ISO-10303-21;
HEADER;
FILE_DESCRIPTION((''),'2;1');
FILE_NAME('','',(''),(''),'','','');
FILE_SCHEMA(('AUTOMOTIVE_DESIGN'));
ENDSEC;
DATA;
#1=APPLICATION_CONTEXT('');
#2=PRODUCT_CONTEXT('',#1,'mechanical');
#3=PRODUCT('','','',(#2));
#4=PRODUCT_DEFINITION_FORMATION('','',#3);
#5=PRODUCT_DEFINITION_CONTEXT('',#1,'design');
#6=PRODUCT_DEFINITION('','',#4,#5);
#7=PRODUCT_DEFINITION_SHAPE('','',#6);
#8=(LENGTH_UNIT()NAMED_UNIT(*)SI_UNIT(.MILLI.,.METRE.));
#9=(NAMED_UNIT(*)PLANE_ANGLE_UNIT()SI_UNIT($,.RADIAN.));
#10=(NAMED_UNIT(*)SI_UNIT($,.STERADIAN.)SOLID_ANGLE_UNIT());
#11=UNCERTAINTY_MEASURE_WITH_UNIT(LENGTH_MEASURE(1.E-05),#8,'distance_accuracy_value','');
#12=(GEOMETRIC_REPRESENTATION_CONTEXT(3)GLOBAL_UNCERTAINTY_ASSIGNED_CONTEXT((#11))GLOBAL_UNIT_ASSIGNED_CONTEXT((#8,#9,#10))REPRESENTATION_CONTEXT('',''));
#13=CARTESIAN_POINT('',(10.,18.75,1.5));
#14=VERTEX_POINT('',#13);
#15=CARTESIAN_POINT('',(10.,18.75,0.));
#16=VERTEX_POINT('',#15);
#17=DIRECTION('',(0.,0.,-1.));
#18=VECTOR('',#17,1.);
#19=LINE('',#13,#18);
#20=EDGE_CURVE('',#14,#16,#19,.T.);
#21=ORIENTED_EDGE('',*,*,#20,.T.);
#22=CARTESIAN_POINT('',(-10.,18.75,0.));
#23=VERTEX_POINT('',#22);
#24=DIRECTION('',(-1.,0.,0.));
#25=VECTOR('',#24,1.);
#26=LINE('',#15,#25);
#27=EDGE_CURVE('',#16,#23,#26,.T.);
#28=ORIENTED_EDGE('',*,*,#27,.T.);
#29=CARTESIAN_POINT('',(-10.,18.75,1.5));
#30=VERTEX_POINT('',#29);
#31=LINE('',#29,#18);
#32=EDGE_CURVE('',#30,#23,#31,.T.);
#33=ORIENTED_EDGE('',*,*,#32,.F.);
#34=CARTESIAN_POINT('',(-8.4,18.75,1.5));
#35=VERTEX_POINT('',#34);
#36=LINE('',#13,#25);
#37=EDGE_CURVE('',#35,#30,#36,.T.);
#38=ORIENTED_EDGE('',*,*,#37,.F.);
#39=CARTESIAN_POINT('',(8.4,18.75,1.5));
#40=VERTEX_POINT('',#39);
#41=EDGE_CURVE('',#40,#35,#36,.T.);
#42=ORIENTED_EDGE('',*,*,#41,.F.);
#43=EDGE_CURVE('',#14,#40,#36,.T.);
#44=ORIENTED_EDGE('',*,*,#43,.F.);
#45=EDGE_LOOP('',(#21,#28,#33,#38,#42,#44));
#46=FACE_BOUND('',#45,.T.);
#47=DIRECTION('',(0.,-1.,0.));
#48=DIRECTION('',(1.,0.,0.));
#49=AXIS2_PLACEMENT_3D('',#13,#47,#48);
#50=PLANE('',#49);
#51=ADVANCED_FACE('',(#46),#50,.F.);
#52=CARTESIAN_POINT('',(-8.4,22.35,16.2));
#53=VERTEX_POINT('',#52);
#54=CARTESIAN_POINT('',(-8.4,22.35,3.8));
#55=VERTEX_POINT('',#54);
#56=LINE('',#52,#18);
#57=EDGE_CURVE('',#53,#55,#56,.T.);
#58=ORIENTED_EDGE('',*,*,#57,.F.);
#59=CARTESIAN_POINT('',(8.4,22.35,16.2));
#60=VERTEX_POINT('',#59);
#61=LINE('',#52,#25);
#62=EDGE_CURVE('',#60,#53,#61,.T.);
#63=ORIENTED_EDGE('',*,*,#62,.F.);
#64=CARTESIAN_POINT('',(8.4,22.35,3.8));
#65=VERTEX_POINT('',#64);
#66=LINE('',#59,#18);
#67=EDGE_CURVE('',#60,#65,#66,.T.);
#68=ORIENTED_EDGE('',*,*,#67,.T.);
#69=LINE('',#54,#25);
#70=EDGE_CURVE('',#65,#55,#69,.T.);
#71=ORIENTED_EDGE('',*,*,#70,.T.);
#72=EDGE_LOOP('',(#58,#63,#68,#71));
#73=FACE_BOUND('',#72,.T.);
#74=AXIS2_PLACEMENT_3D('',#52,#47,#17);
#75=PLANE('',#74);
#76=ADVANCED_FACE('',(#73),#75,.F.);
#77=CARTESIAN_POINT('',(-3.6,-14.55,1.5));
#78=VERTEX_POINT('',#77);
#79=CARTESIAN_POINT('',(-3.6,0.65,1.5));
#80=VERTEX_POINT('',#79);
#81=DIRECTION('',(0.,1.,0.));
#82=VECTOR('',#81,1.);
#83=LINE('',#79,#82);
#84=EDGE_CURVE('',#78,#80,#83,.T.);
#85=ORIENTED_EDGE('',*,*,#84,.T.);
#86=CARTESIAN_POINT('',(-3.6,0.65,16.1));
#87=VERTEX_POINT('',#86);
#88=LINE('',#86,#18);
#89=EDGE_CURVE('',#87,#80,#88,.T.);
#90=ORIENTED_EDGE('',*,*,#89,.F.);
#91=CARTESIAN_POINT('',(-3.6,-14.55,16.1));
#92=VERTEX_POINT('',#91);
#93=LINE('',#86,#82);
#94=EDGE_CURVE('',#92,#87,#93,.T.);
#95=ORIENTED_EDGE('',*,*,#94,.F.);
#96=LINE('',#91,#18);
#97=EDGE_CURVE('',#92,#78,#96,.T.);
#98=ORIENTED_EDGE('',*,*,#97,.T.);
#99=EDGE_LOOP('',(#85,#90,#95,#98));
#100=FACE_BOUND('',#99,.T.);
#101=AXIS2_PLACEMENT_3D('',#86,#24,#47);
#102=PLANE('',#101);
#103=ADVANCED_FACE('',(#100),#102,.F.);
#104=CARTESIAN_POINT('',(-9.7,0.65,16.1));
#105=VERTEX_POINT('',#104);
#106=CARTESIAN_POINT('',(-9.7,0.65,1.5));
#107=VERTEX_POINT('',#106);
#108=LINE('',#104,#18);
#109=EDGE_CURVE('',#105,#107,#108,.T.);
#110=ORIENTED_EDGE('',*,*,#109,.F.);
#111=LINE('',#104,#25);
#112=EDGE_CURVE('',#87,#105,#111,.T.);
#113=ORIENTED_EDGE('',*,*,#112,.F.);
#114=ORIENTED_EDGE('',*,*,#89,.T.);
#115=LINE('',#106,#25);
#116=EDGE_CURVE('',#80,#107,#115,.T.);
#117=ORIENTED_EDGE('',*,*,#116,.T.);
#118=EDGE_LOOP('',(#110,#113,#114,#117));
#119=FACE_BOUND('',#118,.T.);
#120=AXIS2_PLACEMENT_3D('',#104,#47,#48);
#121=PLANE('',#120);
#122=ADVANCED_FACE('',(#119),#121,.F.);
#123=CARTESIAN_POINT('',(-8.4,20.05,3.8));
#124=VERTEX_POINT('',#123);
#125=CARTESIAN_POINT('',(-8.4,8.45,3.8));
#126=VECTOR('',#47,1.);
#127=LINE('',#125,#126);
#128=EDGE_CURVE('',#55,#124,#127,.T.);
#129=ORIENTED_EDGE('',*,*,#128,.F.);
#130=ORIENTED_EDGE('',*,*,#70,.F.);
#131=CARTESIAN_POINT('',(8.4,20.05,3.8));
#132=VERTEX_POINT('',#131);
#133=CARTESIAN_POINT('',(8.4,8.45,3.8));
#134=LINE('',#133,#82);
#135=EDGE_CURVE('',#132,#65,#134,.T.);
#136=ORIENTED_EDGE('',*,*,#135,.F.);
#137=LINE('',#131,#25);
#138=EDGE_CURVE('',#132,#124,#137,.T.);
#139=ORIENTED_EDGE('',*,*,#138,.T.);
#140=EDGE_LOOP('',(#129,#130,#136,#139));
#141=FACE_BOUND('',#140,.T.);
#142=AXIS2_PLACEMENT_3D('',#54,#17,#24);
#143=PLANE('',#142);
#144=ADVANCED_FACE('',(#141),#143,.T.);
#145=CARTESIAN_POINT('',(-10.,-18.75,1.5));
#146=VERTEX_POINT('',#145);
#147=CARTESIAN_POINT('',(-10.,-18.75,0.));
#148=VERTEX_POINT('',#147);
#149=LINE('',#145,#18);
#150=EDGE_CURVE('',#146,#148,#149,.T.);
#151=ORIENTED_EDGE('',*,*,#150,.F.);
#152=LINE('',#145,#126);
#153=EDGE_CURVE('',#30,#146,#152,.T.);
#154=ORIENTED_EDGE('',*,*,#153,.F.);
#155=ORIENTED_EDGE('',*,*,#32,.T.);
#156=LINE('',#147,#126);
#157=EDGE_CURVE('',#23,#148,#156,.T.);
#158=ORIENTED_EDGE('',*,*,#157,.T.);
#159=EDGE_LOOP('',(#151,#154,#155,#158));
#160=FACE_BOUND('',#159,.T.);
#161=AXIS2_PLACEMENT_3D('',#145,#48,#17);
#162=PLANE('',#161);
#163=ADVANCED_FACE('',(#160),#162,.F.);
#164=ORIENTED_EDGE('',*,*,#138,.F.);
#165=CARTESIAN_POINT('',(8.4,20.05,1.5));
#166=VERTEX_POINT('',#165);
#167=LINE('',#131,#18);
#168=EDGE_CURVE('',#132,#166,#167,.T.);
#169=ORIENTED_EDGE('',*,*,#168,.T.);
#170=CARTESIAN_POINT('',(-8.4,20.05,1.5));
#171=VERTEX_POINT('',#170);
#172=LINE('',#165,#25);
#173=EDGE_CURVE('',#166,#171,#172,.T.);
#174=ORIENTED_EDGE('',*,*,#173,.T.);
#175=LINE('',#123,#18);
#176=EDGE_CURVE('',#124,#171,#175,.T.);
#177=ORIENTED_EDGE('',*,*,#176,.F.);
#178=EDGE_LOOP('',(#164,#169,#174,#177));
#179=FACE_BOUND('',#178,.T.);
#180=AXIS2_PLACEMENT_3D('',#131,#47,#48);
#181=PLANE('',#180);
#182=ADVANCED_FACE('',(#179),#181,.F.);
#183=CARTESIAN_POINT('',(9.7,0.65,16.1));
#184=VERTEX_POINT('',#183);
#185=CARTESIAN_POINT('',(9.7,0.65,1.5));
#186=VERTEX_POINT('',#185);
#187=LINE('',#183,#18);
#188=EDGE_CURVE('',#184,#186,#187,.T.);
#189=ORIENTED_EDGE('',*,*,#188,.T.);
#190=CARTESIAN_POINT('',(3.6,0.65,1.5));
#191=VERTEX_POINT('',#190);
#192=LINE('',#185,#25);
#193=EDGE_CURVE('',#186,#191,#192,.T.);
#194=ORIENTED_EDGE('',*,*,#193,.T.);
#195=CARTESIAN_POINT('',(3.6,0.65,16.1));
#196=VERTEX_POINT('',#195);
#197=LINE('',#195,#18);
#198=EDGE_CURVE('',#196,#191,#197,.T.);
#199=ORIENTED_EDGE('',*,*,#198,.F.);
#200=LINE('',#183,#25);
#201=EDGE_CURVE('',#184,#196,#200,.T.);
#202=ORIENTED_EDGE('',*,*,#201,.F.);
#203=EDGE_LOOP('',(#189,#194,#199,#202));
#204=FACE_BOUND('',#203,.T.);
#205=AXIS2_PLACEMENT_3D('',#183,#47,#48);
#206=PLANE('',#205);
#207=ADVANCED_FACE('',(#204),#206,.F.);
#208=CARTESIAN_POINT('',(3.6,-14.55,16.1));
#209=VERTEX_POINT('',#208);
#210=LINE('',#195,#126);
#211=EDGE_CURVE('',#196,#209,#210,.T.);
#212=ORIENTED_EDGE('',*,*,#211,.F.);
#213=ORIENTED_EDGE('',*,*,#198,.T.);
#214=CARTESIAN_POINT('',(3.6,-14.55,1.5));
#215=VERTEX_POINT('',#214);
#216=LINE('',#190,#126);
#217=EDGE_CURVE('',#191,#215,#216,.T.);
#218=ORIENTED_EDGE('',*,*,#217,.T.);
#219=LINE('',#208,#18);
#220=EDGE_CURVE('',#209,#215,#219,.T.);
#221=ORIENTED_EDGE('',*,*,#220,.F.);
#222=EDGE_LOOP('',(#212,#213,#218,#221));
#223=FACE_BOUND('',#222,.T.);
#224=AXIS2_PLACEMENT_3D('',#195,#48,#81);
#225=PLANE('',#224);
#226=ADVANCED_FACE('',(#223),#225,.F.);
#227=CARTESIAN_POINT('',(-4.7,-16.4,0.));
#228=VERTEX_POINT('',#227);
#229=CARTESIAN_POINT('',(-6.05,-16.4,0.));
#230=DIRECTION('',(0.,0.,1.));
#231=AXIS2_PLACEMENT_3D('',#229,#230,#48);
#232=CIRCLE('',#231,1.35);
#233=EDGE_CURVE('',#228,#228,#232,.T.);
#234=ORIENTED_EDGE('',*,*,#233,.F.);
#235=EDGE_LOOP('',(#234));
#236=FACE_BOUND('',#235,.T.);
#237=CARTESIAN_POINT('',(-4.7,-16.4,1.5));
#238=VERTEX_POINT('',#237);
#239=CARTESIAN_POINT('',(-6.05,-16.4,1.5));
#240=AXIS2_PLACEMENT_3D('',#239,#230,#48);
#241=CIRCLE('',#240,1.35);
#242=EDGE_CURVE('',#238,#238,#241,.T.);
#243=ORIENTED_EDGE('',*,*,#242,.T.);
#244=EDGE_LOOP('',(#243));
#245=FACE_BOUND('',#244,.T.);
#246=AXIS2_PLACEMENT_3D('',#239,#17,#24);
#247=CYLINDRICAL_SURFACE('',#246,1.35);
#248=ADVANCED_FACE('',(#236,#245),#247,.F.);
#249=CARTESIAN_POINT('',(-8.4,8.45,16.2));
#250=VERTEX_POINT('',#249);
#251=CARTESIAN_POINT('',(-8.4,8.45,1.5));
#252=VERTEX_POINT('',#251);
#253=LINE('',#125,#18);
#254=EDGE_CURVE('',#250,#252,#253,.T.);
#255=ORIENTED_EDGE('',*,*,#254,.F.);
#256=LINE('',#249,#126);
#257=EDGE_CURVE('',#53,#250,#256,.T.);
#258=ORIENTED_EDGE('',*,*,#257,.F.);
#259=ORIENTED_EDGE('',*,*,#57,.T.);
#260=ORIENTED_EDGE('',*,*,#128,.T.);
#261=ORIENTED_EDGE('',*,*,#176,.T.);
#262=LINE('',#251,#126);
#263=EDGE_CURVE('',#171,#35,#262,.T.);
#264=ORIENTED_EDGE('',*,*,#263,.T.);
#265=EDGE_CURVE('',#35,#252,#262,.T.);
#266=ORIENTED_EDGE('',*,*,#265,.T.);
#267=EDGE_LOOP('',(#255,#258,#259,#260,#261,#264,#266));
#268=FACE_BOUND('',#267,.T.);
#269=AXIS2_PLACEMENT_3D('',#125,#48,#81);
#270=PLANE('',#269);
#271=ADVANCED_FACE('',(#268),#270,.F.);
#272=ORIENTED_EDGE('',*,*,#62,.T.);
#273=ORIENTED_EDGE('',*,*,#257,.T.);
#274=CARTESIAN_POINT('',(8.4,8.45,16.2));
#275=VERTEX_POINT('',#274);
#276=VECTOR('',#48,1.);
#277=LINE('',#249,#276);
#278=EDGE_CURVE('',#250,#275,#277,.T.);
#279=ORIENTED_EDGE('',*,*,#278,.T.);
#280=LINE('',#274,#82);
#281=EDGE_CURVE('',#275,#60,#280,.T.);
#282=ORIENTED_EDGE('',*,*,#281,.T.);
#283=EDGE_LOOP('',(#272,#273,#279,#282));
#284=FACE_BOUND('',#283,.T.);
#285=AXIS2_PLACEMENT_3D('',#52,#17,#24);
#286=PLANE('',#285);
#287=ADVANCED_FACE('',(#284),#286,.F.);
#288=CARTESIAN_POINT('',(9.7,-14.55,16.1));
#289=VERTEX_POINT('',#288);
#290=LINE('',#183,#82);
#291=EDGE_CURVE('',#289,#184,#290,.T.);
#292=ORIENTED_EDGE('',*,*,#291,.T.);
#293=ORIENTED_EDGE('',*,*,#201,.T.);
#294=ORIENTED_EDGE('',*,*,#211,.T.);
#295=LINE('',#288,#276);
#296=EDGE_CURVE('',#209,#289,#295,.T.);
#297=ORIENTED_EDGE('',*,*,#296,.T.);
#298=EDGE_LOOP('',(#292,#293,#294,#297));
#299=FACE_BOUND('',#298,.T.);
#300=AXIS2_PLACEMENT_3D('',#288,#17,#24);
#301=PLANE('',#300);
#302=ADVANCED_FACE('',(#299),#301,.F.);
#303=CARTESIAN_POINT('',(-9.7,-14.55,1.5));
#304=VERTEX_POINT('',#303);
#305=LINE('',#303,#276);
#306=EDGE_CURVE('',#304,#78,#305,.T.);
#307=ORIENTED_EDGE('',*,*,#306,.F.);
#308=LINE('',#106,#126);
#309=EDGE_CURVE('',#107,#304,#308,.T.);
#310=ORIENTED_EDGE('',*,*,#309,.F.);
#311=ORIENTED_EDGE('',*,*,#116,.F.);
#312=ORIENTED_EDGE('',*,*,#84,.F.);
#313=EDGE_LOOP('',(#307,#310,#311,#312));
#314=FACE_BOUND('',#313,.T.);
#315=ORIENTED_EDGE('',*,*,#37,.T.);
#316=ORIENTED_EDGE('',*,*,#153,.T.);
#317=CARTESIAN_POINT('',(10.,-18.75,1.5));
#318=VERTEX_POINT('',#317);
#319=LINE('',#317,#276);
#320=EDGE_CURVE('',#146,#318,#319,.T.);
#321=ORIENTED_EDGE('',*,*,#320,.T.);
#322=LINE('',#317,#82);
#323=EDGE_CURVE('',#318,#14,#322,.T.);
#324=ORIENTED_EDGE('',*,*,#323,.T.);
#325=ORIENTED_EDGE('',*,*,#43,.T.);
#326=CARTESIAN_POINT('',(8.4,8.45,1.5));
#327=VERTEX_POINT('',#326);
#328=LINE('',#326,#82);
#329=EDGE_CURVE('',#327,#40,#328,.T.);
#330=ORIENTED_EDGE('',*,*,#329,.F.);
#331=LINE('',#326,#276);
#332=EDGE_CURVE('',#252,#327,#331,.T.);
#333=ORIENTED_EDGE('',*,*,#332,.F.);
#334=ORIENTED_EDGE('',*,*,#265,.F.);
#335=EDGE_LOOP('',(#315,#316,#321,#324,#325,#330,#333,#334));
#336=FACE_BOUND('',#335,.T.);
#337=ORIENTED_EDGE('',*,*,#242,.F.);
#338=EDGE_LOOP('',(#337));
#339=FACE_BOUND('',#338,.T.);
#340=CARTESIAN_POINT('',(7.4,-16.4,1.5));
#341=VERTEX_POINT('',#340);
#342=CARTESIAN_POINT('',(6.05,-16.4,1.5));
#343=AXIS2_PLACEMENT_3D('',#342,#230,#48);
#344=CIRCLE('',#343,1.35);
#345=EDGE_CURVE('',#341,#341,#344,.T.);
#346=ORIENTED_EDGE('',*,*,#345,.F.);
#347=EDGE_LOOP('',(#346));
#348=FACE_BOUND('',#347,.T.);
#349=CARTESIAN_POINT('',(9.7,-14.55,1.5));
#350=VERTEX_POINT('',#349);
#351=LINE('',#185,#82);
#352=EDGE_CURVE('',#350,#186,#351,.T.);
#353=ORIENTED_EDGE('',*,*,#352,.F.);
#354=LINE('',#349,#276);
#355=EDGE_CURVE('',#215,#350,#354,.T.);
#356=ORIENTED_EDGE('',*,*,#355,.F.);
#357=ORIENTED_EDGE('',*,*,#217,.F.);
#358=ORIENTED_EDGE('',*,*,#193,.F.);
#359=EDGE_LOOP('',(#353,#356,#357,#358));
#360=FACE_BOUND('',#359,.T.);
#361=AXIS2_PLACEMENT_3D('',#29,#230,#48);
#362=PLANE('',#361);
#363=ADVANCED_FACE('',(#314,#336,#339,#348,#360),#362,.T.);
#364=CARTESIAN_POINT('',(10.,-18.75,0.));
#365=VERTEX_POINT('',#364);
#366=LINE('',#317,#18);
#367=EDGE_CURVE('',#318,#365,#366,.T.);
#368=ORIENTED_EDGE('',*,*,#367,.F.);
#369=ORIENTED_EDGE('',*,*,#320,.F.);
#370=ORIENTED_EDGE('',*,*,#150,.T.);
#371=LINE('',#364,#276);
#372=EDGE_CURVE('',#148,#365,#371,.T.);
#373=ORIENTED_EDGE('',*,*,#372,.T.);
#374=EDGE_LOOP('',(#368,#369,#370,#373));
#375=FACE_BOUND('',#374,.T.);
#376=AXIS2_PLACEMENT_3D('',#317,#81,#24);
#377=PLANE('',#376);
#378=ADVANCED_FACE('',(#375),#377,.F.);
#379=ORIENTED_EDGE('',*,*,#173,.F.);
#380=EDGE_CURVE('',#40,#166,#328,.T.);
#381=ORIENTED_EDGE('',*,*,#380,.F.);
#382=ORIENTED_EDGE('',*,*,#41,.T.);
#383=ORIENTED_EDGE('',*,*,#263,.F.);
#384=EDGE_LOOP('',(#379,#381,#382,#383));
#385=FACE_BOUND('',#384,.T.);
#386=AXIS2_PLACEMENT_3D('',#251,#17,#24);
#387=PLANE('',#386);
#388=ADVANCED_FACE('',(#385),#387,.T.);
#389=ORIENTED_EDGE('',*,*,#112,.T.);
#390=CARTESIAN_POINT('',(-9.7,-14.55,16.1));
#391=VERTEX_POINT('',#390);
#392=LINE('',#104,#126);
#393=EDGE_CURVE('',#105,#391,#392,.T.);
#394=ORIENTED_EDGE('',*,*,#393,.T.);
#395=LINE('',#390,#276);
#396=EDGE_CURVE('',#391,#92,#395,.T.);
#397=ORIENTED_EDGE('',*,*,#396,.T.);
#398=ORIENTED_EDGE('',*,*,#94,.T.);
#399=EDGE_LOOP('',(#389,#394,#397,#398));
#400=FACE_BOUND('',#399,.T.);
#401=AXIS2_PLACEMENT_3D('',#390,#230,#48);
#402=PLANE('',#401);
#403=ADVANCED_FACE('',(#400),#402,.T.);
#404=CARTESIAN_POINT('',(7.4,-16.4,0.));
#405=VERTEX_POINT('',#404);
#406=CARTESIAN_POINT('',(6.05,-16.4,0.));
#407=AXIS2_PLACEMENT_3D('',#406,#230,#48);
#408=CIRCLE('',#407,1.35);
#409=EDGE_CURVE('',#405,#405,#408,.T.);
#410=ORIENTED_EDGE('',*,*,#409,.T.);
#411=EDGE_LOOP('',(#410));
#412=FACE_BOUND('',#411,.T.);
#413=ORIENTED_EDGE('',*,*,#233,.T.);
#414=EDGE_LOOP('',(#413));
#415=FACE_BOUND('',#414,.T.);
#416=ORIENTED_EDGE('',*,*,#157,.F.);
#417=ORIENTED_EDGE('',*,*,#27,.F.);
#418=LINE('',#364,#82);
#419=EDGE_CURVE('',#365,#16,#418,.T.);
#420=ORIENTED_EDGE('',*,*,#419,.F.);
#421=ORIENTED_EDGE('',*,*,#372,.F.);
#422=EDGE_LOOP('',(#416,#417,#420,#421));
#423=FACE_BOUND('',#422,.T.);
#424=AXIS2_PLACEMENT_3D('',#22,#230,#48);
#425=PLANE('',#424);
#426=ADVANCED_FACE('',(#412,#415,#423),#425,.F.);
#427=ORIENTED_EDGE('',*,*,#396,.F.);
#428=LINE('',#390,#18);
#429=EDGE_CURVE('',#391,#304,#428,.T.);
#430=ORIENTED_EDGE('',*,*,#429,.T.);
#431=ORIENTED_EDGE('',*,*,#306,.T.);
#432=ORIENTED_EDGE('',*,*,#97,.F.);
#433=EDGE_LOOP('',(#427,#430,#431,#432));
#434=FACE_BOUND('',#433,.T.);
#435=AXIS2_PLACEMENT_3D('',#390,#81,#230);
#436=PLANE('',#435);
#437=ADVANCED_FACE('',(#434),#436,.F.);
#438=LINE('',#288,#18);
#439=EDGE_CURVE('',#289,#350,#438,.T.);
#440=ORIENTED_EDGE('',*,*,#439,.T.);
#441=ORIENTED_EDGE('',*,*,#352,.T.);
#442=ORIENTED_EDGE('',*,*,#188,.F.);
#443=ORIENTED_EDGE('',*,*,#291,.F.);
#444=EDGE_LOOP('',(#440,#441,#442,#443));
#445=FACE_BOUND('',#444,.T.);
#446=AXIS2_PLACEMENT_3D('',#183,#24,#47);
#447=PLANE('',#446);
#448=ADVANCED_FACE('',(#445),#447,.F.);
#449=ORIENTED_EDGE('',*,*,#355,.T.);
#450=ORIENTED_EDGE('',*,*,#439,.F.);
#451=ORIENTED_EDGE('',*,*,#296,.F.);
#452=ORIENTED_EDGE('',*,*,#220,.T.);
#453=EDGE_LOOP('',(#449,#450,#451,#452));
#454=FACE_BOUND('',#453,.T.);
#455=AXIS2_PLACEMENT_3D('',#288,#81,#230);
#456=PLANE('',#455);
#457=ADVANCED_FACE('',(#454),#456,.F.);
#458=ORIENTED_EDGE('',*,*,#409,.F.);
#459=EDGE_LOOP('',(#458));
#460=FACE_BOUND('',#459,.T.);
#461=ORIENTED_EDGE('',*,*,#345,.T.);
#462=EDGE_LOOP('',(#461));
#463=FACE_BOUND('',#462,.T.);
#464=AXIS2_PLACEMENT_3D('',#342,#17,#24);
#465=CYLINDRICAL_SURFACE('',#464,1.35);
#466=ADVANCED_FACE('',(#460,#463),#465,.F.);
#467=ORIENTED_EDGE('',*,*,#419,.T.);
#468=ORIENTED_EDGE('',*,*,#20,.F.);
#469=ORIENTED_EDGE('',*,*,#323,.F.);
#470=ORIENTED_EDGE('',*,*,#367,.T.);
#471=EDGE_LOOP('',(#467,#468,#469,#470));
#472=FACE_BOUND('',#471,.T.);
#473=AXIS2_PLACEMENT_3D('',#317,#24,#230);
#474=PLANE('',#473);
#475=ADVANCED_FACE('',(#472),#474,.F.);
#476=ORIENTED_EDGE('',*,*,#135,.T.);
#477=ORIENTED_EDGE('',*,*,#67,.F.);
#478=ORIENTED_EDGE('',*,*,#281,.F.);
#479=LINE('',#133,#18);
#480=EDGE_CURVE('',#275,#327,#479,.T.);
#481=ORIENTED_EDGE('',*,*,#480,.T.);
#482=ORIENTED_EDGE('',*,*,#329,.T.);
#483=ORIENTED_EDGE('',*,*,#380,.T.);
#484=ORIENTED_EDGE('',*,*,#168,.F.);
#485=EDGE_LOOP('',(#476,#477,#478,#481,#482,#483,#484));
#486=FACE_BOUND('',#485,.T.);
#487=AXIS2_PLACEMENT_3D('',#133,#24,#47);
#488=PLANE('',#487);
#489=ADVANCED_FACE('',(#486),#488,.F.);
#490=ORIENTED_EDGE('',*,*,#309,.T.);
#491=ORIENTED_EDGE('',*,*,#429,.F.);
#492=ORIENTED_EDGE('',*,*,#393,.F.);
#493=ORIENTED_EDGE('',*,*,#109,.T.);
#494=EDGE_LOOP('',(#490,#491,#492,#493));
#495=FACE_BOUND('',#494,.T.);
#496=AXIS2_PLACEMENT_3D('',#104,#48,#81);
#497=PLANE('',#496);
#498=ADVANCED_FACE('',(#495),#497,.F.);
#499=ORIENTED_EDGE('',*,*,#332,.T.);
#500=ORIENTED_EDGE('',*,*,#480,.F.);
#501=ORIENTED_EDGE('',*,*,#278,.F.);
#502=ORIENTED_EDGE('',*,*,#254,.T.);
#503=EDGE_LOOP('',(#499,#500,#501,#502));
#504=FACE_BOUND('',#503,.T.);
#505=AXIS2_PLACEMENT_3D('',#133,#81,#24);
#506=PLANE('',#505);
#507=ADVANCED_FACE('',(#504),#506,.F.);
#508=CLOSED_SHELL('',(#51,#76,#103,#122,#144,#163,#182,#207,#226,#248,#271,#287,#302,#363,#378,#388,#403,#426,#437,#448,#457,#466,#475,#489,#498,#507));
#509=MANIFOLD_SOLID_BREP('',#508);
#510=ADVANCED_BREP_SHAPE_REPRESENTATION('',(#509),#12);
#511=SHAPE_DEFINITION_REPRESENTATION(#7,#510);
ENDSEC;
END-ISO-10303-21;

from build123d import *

# Parameters (mm, degrees)
CROQUIS1_W              = 20
CROQUIS1_H              = 37.5
CROQUIS1_R              = 1.35
SALIENTE_EXTRUIR1_DEPTH = 1.5
CROQUIS2_W              = 16.8
CROQUIS2_H              = 11.6
SALIENTE_EXTRUIR2_DEPTH = 2.3
CROQUIS3_W              = 16.8
CROQUIS3_H              = 13.9
SALIENTE_EXTRUIR3_DEPTH = 12.4
CROQUIS4_W              = 6.1
CROQUIS4_H              = 15.2
SALIENTE_EXTRUIR4_DEPTH = 14.6


with BuildPart() as part:
    # Croquis1 → Saliente-Extruir1 (new body)
    with BuildSketch(Plane.XY):
        Rectangle(CROQUIS1_W, CROQUIS1_H)
        with Locations((-6.05, -16.4)):
            Circle(CROQUIS1_R, mode=Mode.SUBTRACT)
        with Locations((6.05, -16.4)):
            Circle(CROQUIS1_R, mode=Mode.SUBTRACT)
    extrude(amount=SALIENTE_EXTRUIR1_DEPTH)

    # Croquis2 → Saliente-Extruir2 (add)
    with BuildSketch(Plane.XY.offset(1.5)):
        with Locations((0, 14.25)):
            Rectangle(CROQUIS2_W, CROQUIS2_H)
    extrude(amount=SALIENTE_EXTRUIR2_DEPTH)

    # Croquis3 → Saliente-Extruir3 (add)
    with BuildSketch(Plane.XY.offset(3.8)):
        with Locations((0, 15.4)):
            Rectangle(CROQUIS3_W, CROQUIS3_H)
    extrude(amount=SALIENTE_EXTRUIR3_DEPTH)

    # Croquis4 → Saliente-Extruir4 (add)
    with BuildSketch(Plane.XY.offset(1.5)):
        with Locations((-6.65, -6.95)):
            Rectangle(CROQUIS4_W, CROQUIS4_H)
        with Locations((6.65, -6.95)):
            Rectangle(CROQUIS4_W, CROQUIS4_H)
    extrude(amount=SALIENTE_EXTRUIR4_DEPTH)


solid = part.part
